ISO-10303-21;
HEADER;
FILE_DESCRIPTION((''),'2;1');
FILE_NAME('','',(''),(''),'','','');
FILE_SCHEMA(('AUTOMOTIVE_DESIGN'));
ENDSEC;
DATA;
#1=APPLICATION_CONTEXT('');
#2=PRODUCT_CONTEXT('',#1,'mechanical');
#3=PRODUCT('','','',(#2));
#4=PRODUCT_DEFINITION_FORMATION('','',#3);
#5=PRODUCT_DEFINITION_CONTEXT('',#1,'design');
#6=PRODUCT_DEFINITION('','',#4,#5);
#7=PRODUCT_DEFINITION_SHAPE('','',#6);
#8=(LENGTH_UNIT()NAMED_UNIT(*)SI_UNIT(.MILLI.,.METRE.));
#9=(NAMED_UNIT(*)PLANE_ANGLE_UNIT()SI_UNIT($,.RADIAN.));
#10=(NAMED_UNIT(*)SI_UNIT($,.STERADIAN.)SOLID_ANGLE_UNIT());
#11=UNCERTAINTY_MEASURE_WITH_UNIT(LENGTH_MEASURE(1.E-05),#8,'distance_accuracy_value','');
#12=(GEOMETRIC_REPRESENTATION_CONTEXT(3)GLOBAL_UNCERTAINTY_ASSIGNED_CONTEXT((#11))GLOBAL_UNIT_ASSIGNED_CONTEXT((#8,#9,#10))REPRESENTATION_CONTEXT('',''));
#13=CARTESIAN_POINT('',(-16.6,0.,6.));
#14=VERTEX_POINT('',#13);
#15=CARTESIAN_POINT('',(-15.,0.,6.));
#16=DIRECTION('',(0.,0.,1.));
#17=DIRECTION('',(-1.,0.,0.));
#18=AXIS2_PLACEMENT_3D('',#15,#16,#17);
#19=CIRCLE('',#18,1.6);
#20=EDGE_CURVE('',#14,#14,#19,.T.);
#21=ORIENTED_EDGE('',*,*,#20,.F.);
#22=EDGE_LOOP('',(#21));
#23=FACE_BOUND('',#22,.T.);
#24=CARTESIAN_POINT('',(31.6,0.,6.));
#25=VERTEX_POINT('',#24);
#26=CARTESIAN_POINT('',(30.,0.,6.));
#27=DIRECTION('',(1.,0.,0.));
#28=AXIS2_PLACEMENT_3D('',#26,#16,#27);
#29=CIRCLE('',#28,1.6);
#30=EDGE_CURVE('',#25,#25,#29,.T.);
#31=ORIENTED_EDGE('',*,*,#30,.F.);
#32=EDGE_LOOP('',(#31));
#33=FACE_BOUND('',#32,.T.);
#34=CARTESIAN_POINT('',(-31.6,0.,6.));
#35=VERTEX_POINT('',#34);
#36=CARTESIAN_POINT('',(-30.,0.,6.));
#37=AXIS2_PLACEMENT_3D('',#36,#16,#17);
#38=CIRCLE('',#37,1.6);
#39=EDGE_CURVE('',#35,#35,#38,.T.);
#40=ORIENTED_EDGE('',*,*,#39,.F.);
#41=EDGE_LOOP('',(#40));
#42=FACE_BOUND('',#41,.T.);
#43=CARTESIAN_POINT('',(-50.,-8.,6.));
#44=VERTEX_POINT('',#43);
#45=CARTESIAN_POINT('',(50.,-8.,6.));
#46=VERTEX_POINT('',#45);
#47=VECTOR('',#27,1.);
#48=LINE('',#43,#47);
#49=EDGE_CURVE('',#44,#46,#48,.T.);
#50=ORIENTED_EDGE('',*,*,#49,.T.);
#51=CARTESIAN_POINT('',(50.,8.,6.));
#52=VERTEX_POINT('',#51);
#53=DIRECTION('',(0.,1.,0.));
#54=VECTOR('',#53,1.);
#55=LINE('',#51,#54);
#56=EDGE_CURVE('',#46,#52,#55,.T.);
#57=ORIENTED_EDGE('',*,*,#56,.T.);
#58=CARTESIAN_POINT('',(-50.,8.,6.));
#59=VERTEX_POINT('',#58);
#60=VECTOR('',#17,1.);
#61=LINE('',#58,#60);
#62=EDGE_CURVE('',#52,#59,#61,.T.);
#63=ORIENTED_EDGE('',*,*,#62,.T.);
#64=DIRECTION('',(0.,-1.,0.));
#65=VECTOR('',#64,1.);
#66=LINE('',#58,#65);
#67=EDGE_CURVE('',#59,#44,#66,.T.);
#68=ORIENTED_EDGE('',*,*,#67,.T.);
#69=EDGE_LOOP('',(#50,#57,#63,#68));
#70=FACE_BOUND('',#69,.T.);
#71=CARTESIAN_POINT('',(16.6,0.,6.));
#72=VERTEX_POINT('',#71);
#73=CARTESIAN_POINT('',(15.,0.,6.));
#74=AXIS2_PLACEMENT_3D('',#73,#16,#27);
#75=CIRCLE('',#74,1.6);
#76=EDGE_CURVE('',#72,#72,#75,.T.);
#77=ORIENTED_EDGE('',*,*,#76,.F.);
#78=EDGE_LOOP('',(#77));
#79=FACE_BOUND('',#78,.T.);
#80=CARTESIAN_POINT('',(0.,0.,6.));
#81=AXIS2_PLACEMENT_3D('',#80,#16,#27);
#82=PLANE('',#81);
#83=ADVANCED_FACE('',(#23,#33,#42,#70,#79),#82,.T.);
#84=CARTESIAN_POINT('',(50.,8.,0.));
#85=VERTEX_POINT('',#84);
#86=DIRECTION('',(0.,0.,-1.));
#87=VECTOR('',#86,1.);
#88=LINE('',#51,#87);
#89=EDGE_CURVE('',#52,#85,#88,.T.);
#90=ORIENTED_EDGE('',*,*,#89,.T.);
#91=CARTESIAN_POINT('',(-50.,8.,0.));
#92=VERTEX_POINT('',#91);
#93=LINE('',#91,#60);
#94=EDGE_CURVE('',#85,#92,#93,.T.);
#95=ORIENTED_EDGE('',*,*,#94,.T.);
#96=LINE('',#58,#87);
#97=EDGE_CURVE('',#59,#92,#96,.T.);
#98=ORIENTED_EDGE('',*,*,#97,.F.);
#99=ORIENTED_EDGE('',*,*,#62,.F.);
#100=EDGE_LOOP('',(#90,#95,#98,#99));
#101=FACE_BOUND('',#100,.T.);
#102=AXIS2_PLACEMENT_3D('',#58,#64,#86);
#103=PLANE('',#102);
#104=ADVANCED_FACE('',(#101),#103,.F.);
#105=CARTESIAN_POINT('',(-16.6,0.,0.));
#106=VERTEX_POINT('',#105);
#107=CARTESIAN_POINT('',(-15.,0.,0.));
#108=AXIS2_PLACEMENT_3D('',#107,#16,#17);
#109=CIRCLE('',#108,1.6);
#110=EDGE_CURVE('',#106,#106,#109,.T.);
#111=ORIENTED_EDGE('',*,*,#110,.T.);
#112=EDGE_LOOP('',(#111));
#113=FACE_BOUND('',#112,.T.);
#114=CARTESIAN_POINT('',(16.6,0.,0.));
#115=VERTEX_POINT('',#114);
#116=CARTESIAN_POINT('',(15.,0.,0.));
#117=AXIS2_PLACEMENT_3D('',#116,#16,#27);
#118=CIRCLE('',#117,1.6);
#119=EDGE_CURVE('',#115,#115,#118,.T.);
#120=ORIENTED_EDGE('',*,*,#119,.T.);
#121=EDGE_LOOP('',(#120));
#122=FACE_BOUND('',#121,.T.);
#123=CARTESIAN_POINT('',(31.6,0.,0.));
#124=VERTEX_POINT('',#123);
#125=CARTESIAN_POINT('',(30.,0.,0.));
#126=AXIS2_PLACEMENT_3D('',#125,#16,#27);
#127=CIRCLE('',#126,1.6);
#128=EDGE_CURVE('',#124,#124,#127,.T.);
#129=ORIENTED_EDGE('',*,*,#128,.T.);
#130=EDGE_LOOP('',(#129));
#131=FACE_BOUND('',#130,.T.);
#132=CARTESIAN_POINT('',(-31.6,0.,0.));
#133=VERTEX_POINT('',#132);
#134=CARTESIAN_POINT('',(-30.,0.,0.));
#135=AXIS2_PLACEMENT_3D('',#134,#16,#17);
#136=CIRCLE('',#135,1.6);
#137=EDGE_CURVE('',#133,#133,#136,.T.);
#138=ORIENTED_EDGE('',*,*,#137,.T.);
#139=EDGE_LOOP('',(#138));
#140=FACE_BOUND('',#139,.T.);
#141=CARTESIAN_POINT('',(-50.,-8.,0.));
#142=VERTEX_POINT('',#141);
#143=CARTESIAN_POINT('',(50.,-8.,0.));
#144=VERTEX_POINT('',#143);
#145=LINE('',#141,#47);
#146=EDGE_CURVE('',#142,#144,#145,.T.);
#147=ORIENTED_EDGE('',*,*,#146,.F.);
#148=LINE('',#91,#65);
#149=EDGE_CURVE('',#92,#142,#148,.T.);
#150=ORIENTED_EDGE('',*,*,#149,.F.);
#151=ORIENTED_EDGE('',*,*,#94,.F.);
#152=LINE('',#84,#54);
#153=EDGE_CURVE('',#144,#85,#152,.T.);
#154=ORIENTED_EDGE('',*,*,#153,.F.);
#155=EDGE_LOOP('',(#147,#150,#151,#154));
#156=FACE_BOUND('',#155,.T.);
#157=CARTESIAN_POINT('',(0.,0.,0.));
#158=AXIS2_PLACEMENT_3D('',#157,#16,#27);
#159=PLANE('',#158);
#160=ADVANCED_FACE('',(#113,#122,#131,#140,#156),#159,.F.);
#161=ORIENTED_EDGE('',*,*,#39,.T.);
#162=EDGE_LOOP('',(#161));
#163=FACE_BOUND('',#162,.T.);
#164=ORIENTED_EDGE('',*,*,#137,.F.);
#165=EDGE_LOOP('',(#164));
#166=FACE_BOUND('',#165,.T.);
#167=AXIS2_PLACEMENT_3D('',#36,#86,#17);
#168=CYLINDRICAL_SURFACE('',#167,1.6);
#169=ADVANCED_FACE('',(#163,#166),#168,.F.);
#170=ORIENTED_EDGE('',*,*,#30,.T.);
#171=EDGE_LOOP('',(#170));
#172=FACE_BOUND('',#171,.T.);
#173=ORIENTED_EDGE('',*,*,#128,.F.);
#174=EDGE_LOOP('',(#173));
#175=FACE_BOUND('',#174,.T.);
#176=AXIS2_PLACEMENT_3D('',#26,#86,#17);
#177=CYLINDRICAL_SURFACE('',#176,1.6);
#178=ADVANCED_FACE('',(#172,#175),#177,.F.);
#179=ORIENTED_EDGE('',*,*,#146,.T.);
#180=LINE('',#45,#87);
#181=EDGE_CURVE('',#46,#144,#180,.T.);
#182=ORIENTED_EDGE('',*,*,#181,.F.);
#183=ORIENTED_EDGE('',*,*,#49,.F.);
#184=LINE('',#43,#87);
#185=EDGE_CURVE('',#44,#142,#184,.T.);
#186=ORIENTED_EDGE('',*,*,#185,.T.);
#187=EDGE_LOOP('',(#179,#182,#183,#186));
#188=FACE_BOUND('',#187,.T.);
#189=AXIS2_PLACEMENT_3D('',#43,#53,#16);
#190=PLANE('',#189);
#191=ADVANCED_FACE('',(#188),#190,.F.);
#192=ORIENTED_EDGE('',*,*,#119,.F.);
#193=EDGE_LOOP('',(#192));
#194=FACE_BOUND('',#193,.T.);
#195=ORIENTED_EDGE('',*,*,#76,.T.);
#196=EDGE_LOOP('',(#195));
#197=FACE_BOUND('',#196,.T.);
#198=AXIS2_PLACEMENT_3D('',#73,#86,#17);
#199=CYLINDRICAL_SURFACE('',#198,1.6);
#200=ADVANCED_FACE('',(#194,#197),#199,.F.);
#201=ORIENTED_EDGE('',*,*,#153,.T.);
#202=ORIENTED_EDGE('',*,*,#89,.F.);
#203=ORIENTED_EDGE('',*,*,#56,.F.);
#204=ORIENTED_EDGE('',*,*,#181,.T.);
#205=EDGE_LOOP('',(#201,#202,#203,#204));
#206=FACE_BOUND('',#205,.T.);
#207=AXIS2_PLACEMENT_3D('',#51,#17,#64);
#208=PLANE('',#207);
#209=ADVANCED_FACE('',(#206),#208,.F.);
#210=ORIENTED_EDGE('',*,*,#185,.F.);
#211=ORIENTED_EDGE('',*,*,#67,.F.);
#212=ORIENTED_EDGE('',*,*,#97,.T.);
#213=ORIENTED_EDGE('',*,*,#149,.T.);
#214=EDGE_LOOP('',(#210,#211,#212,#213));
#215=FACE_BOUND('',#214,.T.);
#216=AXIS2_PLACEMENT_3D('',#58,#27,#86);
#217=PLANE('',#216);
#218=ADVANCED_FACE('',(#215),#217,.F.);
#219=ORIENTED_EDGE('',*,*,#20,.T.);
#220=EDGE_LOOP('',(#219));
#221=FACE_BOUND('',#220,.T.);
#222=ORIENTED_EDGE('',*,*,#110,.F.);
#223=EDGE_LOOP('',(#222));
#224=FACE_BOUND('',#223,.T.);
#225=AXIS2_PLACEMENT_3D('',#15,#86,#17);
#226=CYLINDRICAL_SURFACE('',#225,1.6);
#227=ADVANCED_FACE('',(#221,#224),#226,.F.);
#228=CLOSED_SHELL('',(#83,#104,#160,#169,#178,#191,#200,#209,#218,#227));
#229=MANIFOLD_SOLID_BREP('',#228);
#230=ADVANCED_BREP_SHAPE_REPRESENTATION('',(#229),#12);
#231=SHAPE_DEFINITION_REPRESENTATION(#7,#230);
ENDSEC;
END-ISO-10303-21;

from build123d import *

# Parameters (mm, degrees)
SKETCH_1_W      = 100
SKETCH_1_H      = 16
SKETCH_1_R      = 1.6
EXTRUDE_1_DEPTH = 6


with BuildPart() as part:
    # ｽｹｯﾁ1 → ﾎﾞｽ - 押し出し1 (new body)
    with BuildSketch(Plane.XY):
        Rectangle(SKETCH_1_W, SKETCH_1_H)
        with Locations((30, 0)):
            Circle(SKETCH_1_R, mode=Mode.SUBTRACT)
        with Locations((15, 0)):
            Circle(SKETCH_1_R, mode=Mode.SUBTRACT)
        with Locations(Location((-30, 0, 0), (0, 0, 180))):
            Circle(SKETCH_1_R, mode=Mode.SUBTRACT)
        with Locations(Location((-15, 0, 0), (0, 0, 180))):
            Circle(SKETCH_1_R, mode=Mode.SUBTRACT)
    extrude(amount=EXTRUDE_1_DEPTH)


solid = part.part
